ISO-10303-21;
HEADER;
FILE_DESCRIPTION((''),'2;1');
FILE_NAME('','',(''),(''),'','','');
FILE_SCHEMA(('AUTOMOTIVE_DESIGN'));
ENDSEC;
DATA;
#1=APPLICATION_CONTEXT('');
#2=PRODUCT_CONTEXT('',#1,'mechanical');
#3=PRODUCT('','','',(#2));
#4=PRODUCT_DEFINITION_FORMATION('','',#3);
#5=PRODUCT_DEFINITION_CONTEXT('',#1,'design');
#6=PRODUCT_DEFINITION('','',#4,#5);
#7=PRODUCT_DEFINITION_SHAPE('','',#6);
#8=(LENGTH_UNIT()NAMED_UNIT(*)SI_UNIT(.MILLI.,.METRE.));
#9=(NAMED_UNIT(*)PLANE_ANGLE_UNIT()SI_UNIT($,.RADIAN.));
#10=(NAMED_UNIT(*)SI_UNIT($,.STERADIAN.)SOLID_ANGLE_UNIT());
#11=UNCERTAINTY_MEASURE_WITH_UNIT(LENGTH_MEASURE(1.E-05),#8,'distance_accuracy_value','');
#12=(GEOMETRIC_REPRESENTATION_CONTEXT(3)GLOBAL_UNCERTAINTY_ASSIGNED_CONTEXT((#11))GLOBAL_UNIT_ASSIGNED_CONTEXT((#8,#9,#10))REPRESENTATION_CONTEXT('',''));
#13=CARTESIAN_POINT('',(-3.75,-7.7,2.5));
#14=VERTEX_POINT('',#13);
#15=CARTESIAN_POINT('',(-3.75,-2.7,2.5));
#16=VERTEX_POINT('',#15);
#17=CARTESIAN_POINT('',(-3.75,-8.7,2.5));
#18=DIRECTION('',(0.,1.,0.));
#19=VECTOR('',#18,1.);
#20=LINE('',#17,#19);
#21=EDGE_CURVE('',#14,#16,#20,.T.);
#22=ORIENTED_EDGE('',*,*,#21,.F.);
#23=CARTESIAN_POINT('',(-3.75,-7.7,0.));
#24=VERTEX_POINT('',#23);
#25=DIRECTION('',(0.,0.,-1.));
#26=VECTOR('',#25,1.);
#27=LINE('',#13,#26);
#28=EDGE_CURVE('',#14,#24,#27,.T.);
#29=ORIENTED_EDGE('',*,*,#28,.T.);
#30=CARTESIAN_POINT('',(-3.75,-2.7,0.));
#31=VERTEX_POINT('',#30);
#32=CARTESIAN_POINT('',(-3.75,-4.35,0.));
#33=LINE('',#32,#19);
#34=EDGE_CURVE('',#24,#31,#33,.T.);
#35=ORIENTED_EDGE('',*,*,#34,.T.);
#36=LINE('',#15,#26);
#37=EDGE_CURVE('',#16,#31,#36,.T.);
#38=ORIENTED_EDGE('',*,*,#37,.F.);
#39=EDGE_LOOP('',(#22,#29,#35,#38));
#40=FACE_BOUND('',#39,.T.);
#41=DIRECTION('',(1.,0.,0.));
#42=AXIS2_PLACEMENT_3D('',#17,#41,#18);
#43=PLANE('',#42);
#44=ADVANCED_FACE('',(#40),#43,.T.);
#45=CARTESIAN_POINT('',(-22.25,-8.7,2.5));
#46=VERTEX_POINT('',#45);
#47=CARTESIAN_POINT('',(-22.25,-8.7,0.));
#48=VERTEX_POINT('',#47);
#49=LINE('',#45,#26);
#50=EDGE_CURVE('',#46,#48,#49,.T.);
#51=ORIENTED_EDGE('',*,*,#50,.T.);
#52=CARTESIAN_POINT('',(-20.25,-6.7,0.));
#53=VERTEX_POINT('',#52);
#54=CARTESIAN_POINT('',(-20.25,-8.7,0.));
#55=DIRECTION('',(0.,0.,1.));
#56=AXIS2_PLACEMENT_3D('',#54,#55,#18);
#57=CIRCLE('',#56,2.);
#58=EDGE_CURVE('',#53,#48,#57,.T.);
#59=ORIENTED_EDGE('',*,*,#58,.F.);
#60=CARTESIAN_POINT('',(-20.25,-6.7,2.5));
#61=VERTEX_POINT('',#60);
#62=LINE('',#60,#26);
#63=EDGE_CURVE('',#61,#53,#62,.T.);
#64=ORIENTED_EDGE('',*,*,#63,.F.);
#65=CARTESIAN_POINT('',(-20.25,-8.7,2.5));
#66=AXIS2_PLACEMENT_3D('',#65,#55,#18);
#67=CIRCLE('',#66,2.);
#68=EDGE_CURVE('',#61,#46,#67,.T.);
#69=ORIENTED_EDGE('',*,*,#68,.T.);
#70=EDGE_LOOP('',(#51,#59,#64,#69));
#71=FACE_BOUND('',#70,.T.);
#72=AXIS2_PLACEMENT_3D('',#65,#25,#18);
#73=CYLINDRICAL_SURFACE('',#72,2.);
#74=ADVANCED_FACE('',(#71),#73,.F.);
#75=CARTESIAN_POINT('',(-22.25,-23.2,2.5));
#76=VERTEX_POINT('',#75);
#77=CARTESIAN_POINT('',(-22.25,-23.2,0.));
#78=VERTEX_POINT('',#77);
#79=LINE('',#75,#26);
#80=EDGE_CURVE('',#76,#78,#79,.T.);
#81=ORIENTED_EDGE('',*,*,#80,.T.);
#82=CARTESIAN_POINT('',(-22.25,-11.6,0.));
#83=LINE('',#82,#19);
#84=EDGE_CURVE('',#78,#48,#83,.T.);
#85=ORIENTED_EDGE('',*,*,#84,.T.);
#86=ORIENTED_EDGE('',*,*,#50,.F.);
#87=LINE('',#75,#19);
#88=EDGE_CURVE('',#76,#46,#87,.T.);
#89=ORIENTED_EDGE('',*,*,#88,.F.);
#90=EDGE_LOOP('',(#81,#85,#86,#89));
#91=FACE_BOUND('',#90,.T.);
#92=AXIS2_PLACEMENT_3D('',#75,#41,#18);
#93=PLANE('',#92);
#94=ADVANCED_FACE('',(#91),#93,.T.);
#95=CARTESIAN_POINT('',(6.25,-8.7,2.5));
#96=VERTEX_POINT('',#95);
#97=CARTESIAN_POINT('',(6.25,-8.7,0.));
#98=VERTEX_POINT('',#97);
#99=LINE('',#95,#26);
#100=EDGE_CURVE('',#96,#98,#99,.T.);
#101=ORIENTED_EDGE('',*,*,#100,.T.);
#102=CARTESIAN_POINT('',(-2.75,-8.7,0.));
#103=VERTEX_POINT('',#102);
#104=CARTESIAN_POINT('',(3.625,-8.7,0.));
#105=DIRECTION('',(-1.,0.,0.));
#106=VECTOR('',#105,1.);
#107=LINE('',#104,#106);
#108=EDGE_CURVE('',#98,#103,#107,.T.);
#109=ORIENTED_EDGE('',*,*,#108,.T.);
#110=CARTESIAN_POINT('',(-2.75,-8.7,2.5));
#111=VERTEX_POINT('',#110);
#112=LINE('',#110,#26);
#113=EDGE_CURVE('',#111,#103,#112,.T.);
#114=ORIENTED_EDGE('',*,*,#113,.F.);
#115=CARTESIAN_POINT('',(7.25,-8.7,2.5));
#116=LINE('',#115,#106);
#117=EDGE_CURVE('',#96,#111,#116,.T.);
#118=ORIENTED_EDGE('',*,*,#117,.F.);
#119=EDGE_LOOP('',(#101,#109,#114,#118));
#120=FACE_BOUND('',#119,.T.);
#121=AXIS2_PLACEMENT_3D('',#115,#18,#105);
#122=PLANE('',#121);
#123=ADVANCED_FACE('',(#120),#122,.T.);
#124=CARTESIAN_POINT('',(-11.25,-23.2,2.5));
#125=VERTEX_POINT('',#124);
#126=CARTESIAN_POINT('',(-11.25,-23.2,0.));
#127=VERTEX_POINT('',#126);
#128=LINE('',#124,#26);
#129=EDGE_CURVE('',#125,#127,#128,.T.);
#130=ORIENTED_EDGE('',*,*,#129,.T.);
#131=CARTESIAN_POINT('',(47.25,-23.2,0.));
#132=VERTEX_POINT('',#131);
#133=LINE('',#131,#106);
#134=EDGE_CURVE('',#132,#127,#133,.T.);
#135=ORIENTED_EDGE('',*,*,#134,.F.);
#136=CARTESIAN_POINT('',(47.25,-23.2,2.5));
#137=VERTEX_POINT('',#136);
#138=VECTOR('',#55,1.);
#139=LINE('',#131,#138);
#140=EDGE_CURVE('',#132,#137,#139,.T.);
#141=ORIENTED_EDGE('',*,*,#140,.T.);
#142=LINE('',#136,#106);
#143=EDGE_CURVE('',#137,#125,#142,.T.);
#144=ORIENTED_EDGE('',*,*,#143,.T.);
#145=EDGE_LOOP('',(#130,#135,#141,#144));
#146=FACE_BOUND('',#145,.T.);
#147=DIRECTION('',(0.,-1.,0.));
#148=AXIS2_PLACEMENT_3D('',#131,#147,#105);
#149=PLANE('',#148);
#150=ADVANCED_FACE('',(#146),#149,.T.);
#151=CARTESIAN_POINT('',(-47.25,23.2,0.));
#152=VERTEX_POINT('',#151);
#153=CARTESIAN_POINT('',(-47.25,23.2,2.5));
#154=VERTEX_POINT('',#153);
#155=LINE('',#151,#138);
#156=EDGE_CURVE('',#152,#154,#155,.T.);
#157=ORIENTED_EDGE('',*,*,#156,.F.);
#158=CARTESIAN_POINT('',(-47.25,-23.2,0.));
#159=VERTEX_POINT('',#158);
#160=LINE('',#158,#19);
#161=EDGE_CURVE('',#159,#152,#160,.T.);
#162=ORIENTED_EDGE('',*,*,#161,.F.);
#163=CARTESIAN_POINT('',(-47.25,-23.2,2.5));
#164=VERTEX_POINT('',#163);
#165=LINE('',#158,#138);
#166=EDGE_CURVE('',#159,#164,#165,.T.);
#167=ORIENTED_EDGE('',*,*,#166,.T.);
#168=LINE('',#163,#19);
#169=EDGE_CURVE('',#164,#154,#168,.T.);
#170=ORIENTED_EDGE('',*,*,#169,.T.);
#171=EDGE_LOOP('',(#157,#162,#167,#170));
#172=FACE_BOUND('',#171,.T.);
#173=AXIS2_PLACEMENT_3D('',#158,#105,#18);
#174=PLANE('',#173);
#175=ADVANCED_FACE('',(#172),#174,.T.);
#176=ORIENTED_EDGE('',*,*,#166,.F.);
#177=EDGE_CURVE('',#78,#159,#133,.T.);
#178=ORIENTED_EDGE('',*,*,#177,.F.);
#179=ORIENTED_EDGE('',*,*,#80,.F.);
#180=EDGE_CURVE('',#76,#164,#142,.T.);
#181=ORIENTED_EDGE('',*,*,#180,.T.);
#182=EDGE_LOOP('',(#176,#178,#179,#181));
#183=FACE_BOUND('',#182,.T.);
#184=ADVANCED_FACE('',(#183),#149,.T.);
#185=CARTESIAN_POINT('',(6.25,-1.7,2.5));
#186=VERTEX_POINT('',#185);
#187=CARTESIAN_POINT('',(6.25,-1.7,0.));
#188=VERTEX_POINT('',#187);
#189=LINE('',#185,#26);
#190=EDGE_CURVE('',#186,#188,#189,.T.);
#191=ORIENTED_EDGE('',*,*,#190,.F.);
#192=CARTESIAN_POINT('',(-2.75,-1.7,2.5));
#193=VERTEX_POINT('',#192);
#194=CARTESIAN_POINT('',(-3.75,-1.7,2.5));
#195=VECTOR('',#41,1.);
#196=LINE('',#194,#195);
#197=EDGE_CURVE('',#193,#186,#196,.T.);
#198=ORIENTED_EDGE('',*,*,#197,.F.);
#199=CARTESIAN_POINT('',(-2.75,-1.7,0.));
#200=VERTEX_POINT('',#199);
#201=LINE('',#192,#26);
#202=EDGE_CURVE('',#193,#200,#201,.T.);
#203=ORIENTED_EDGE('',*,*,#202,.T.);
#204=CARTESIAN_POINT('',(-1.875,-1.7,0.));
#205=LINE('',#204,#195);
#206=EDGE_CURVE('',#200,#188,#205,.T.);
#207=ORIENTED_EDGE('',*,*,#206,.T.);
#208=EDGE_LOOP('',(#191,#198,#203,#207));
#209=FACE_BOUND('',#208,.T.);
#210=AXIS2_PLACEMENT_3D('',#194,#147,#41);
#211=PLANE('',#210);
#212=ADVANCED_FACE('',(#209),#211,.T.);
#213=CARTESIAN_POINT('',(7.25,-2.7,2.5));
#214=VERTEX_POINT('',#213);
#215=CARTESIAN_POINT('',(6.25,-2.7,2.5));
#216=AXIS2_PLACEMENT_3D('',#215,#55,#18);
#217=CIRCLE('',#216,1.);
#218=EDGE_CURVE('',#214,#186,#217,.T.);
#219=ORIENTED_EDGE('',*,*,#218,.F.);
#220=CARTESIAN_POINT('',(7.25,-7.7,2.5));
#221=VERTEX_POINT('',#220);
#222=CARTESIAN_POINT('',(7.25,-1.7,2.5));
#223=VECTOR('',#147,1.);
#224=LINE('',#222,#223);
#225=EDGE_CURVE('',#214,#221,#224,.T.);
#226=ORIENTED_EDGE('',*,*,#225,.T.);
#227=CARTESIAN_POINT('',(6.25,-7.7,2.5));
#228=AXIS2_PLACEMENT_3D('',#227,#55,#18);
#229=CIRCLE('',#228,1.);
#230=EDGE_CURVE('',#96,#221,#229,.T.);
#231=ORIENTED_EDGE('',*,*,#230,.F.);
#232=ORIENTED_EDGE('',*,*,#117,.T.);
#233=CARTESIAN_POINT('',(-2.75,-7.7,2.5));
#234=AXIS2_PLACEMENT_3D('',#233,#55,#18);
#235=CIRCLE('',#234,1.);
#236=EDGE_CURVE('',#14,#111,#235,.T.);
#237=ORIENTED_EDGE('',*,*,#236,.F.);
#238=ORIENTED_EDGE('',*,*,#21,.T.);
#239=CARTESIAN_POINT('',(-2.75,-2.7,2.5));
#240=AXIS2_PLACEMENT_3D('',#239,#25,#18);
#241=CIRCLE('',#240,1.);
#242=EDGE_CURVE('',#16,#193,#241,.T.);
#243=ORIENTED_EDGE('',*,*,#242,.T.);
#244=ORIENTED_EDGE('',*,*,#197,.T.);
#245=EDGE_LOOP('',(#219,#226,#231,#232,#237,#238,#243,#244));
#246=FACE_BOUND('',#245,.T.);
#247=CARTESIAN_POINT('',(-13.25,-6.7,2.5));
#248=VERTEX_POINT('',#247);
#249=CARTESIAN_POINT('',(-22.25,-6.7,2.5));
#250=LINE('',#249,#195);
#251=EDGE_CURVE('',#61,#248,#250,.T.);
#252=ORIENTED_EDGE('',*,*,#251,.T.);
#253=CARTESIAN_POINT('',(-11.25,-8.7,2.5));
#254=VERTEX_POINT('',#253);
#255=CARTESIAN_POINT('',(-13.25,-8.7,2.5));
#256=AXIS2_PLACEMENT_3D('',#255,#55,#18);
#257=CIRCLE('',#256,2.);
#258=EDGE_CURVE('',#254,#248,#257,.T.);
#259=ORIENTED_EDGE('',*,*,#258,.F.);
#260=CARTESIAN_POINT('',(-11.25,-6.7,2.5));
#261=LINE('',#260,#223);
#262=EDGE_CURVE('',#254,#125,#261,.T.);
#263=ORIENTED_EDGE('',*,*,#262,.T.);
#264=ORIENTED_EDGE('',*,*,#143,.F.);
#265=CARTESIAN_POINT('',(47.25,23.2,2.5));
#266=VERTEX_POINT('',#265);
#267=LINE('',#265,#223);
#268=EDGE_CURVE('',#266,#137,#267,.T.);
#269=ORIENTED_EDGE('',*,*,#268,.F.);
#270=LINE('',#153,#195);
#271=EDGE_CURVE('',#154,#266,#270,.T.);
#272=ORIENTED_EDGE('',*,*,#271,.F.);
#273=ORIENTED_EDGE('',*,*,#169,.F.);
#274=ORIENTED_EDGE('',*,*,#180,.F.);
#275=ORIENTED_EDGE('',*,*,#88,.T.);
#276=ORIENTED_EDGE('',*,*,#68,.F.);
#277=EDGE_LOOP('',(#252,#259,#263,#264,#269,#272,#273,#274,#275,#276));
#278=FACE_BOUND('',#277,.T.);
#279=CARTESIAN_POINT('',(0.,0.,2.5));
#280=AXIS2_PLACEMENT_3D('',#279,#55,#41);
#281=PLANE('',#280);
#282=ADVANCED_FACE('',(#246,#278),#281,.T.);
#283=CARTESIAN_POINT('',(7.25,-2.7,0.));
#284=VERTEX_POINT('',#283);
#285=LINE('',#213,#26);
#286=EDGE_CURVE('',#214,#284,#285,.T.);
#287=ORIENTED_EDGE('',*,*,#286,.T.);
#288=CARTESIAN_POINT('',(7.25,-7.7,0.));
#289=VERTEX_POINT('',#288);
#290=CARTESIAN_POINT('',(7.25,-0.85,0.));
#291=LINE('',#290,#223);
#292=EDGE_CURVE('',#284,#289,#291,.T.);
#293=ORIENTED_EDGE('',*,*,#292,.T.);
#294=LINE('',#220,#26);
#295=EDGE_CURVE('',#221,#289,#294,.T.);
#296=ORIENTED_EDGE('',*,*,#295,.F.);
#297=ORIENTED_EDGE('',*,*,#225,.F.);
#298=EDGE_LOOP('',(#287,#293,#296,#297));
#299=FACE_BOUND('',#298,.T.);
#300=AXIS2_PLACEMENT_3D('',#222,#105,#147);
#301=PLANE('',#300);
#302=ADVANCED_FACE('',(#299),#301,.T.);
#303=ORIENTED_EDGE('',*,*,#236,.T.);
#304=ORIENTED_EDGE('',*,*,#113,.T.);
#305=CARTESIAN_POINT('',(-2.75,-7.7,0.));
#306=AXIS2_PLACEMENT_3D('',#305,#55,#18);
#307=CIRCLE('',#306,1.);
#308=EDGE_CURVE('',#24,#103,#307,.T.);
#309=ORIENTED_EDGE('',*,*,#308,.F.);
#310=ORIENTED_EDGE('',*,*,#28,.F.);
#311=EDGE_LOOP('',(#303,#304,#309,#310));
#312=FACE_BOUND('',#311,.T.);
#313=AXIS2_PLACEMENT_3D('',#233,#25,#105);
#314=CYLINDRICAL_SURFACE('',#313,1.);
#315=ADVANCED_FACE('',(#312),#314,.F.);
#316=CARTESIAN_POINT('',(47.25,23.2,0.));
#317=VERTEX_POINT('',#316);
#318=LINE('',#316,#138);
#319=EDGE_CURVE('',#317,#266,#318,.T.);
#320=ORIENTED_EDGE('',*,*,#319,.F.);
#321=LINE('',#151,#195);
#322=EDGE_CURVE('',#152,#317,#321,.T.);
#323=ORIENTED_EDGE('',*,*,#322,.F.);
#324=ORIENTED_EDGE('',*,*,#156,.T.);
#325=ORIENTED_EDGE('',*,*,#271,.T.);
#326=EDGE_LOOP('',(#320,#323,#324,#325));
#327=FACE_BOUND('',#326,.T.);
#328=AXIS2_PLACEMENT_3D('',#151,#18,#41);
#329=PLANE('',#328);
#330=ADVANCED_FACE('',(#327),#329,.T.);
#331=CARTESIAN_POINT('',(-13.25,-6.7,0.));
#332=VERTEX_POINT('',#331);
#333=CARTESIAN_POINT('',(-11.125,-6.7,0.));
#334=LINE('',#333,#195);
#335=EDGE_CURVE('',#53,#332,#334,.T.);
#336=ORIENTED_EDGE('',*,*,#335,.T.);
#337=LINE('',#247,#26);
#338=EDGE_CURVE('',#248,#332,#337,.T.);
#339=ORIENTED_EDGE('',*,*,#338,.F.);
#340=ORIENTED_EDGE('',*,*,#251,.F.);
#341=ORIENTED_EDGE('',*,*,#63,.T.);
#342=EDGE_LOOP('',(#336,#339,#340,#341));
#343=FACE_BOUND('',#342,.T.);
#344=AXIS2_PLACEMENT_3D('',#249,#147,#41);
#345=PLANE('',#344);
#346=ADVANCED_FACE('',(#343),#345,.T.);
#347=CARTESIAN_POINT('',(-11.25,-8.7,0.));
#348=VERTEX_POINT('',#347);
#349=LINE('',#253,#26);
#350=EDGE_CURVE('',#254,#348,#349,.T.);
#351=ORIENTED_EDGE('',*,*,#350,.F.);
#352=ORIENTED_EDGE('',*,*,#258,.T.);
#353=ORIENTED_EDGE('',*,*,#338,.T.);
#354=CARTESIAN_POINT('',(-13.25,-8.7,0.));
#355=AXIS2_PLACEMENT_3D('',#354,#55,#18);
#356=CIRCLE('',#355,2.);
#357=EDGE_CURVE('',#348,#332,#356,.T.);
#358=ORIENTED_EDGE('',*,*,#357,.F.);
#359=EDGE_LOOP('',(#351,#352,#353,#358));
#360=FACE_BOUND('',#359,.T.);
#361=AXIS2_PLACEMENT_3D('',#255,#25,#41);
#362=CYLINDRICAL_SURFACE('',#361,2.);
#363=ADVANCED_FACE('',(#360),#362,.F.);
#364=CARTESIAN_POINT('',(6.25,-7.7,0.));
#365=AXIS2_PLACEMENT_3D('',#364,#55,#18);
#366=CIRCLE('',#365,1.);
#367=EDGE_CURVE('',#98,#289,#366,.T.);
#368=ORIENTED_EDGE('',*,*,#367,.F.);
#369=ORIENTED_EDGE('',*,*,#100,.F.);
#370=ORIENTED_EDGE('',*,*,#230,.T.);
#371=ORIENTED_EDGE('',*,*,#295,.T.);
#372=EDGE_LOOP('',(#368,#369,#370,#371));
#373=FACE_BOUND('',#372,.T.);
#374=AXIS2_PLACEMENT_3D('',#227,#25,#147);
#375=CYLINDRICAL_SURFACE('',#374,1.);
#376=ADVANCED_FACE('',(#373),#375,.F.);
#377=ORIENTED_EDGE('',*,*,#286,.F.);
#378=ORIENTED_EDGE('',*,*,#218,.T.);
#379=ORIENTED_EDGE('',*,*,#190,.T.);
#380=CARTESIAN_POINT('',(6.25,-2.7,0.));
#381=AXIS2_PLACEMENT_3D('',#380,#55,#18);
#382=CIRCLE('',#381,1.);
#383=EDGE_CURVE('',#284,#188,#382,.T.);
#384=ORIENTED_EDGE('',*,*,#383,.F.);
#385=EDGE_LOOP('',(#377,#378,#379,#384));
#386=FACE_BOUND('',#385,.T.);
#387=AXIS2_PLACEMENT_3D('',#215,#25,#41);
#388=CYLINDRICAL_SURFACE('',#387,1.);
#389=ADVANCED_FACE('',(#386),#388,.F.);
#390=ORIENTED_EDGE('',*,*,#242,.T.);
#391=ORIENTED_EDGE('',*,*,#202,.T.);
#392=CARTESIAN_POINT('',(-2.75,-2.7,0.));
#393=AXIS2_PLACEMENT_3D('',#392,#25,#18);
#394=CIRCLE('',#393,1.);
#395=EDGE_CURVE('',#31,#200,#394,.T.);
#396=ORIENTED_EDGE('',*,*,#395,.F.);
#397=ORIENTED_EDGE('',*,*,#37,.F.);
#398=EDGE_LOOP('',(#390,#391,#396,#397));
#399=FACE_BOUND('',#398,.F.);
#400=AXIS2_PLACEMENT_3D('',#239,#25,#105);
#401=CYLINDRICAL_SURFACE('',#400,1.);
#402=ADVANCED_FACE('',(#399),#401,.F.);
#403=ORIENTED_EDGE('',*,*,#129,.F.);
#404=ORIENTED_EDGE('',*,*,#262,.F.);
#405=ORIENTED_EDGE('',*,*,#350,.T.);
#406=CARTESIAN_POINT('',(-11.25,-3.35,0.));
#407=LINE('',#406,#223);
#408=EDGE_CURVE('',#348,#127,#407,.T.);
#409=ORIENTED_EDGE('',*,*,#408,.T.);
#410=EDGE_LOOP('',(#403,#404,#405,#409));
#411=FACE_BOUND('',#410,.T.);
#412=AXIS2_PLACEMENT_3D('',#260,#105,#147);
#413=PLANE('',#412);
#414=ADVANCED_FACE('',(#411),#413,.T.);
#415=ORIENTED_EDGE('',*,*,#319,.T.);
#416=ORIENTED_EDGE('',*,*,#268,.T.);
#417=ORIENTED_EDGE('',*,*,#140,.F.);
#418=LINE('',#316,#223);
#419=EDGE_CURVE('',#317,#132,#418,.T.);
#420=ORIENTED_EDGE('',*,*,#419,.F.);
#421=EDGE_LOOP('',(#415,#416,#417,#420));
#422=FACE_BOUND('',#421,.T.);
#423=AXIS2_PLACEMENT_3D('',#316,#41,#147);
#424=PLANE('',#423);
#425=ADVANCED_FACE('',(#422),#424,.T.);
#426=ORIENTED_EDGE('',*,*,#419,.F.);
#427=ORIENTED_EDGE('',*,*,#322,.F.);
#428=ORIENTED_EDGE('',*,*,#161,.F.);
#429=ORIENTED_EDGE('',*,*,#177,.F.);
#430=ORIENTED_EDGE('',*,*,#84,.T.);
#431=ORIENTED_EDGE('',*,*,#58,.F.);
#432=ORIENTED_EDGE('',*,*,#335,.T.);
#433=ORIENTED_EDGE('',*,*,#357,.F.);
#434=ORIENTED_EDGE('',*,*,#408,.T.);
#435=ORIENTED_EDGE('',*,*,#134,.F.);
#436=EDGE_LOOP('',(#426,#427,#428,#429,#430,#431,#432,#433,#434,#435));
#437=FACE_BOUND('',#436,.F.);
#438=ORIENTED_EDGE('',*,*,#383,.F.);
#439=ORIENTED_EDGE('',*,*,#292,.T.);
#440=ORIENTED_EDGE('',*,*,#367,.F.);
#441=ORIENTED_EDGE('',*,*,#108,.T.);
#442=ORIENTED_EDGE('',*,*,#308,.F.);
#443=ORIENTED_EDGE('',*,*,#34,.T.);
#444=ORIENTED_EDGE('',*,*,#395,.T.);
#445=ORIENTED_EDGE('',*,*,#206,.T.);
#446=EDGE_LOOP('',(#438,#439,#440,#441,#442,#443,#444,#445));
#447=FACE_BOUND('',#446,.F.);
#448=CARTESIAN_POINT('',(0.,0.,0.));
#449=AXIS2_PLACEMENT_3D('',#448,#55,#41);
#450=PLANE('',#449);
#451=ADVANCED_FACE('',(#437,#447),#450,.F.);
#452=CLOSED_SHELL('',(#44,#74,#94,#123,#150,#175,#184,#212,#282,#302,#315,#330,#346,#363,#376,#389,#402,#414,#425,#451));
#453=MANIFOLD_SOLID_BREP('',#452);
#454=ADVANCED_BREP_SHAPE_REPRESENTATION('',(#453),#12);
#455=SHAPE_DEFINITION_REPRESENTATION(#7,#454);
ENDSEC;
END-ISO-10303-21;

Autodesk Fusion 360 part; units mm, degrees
sketch "Sketch1" plane through (0, 0, 0) normal (0, 0, 1) x (1, 0, 0)
  line L0 (-47.25, 23.2) -> (47.25, 23.2)
  line L1 (47.25, 23.2) -> (47.25, -23.2)
  line L2 (47.25, -23.2) -> (-47.25, -23.2)
  line L3 (-47.25, -23.2) -> (-47.25, 23.2)
  line L4 (-47.25, 23.2) -> (47.25, -23.2) construction
  line L5 (47.25, 23.2) -> (-47.25, -23.2) construction
  dimension "d1" = 94.5
  dimension "d2" = 46.4
extrude "Extrude1" add sketch "Sketch1" along normal blind 2.5
sketch "Sketch2" plane through (0, 0, 2.5) normal (0, 0, 1) x (-1, 0, 0)
  line L0 (47.25, 23.2) -> (-47.25, 23.2)
  line L1 (-47.25, 23.2) -> (-47.25, -23.2)
  line L2 (-47.25, -23.2) -> (47.25, -23.2)
  line L3 (47.25, -23.2) -> (47.25, 23.2)
  line L4 (22.25, 6.7) -> (11.25, 6.7)
  line L5 (11.25, 6.7) -> (11.25, 23.2)
  line L6 (11.25, 23.2) -> (22.25, 23.2)
  line L7 (22.25, 23.2) -> (22.25, 6.7)
  line L8 (3.75, 1.7) -> (-7.25, 1.7)
  line L9 (-7.25, 1.7) -> (-7.25, 8.7)
  line L10 (-7.25, 8.7) -> (3.75, 8.7)
  line L11 (3.75, 8.7) -> (3.75, 1.7)
  dimension "d5" = 11
  dimension "d6" = 16.5
  dimension "d7" = 25
  dimension "d12" = 21.5
  dimension "d13" = 40
  dimension "d14" = 11
  dimension "d15" = 7
extrude "Extrude2" cut sketch "Sketch2" against normal blind 5 contours L0 L4 L5 L6 L7 | L8 L9 L10 L11
fillet "Fillet1" radius 2 2 edges at (-22.25, -6.7, 1.25) (-11.25, -6.7, 1.25)
fillet "Fillet2" radius 1 4 edges at (7.25, -1.7, 1.25) (-3.75, -1.7, 1.25) (-3.75, -8.7, 1.25) (7.25, -8.7, 1.25)
sketch "Sketch3" plane through (0, 0, 2.5) normal (0, 0, 1) x (-1, 0, 0)
  line L0 (11.25, 8.7) -> (11.25, 23.2)
  line L1 (11.25, 23.2) -> (-47.25, 23.2)
  line L2 (-47.25, 23.2) -> (-47.25, -23.2)
  line L3 (-47.25, -23.2) -> (47.25, -23.2)
  line L4 (47.25, -23.2) -> (47.25, 23.2)
  line L5 (47.25, 23.2) -> (22.25, 23.2)
  line L6 (22.25, 23.2) -> (22.25, 8.7)
  arc A0 (20.25, 6.7) -> (22.25, 8.7) centre (20.25, 8.7) ccw
  line L7 (20.25, 6.7) -> (13.25, 6.7)
  arc A1 (11.25, 8.7) -> (13.25, 6.7) centre (13.25, 8.7) ccw
  line L8 (-7.25, 2.7) -> (-7.25, 7.7)
  arc A2 (-6.25, 8.7) -> (-7.25, 7.7) centre (-6.25, 7.7) ccw
  line L9 (-6.25, 8.7) -> (2.75, 8.7)
  arc A3 (3.75, 7.7) -> (2.75, 8.7) centre (2.75, 7.7) ccw
  line L10 (3.75, 7.7) -> (3.75, 2.7)
  arc A4 (2.75, 1.7) -> (3.75, 2.7) centre (2.75, 2.7) ccw
  line L11 (2.75, 1.7) -> (-6.25, 1.7)
  arc A5 (-7.25, 2.7) -> (-6.25, 1.7) centre (-6.25, 2.7) ccw
  line L12 (-7.25, 5.2) -> (-7.25, 2.7)
equation "d2 = 52.65 mm - 6.25 mm"
